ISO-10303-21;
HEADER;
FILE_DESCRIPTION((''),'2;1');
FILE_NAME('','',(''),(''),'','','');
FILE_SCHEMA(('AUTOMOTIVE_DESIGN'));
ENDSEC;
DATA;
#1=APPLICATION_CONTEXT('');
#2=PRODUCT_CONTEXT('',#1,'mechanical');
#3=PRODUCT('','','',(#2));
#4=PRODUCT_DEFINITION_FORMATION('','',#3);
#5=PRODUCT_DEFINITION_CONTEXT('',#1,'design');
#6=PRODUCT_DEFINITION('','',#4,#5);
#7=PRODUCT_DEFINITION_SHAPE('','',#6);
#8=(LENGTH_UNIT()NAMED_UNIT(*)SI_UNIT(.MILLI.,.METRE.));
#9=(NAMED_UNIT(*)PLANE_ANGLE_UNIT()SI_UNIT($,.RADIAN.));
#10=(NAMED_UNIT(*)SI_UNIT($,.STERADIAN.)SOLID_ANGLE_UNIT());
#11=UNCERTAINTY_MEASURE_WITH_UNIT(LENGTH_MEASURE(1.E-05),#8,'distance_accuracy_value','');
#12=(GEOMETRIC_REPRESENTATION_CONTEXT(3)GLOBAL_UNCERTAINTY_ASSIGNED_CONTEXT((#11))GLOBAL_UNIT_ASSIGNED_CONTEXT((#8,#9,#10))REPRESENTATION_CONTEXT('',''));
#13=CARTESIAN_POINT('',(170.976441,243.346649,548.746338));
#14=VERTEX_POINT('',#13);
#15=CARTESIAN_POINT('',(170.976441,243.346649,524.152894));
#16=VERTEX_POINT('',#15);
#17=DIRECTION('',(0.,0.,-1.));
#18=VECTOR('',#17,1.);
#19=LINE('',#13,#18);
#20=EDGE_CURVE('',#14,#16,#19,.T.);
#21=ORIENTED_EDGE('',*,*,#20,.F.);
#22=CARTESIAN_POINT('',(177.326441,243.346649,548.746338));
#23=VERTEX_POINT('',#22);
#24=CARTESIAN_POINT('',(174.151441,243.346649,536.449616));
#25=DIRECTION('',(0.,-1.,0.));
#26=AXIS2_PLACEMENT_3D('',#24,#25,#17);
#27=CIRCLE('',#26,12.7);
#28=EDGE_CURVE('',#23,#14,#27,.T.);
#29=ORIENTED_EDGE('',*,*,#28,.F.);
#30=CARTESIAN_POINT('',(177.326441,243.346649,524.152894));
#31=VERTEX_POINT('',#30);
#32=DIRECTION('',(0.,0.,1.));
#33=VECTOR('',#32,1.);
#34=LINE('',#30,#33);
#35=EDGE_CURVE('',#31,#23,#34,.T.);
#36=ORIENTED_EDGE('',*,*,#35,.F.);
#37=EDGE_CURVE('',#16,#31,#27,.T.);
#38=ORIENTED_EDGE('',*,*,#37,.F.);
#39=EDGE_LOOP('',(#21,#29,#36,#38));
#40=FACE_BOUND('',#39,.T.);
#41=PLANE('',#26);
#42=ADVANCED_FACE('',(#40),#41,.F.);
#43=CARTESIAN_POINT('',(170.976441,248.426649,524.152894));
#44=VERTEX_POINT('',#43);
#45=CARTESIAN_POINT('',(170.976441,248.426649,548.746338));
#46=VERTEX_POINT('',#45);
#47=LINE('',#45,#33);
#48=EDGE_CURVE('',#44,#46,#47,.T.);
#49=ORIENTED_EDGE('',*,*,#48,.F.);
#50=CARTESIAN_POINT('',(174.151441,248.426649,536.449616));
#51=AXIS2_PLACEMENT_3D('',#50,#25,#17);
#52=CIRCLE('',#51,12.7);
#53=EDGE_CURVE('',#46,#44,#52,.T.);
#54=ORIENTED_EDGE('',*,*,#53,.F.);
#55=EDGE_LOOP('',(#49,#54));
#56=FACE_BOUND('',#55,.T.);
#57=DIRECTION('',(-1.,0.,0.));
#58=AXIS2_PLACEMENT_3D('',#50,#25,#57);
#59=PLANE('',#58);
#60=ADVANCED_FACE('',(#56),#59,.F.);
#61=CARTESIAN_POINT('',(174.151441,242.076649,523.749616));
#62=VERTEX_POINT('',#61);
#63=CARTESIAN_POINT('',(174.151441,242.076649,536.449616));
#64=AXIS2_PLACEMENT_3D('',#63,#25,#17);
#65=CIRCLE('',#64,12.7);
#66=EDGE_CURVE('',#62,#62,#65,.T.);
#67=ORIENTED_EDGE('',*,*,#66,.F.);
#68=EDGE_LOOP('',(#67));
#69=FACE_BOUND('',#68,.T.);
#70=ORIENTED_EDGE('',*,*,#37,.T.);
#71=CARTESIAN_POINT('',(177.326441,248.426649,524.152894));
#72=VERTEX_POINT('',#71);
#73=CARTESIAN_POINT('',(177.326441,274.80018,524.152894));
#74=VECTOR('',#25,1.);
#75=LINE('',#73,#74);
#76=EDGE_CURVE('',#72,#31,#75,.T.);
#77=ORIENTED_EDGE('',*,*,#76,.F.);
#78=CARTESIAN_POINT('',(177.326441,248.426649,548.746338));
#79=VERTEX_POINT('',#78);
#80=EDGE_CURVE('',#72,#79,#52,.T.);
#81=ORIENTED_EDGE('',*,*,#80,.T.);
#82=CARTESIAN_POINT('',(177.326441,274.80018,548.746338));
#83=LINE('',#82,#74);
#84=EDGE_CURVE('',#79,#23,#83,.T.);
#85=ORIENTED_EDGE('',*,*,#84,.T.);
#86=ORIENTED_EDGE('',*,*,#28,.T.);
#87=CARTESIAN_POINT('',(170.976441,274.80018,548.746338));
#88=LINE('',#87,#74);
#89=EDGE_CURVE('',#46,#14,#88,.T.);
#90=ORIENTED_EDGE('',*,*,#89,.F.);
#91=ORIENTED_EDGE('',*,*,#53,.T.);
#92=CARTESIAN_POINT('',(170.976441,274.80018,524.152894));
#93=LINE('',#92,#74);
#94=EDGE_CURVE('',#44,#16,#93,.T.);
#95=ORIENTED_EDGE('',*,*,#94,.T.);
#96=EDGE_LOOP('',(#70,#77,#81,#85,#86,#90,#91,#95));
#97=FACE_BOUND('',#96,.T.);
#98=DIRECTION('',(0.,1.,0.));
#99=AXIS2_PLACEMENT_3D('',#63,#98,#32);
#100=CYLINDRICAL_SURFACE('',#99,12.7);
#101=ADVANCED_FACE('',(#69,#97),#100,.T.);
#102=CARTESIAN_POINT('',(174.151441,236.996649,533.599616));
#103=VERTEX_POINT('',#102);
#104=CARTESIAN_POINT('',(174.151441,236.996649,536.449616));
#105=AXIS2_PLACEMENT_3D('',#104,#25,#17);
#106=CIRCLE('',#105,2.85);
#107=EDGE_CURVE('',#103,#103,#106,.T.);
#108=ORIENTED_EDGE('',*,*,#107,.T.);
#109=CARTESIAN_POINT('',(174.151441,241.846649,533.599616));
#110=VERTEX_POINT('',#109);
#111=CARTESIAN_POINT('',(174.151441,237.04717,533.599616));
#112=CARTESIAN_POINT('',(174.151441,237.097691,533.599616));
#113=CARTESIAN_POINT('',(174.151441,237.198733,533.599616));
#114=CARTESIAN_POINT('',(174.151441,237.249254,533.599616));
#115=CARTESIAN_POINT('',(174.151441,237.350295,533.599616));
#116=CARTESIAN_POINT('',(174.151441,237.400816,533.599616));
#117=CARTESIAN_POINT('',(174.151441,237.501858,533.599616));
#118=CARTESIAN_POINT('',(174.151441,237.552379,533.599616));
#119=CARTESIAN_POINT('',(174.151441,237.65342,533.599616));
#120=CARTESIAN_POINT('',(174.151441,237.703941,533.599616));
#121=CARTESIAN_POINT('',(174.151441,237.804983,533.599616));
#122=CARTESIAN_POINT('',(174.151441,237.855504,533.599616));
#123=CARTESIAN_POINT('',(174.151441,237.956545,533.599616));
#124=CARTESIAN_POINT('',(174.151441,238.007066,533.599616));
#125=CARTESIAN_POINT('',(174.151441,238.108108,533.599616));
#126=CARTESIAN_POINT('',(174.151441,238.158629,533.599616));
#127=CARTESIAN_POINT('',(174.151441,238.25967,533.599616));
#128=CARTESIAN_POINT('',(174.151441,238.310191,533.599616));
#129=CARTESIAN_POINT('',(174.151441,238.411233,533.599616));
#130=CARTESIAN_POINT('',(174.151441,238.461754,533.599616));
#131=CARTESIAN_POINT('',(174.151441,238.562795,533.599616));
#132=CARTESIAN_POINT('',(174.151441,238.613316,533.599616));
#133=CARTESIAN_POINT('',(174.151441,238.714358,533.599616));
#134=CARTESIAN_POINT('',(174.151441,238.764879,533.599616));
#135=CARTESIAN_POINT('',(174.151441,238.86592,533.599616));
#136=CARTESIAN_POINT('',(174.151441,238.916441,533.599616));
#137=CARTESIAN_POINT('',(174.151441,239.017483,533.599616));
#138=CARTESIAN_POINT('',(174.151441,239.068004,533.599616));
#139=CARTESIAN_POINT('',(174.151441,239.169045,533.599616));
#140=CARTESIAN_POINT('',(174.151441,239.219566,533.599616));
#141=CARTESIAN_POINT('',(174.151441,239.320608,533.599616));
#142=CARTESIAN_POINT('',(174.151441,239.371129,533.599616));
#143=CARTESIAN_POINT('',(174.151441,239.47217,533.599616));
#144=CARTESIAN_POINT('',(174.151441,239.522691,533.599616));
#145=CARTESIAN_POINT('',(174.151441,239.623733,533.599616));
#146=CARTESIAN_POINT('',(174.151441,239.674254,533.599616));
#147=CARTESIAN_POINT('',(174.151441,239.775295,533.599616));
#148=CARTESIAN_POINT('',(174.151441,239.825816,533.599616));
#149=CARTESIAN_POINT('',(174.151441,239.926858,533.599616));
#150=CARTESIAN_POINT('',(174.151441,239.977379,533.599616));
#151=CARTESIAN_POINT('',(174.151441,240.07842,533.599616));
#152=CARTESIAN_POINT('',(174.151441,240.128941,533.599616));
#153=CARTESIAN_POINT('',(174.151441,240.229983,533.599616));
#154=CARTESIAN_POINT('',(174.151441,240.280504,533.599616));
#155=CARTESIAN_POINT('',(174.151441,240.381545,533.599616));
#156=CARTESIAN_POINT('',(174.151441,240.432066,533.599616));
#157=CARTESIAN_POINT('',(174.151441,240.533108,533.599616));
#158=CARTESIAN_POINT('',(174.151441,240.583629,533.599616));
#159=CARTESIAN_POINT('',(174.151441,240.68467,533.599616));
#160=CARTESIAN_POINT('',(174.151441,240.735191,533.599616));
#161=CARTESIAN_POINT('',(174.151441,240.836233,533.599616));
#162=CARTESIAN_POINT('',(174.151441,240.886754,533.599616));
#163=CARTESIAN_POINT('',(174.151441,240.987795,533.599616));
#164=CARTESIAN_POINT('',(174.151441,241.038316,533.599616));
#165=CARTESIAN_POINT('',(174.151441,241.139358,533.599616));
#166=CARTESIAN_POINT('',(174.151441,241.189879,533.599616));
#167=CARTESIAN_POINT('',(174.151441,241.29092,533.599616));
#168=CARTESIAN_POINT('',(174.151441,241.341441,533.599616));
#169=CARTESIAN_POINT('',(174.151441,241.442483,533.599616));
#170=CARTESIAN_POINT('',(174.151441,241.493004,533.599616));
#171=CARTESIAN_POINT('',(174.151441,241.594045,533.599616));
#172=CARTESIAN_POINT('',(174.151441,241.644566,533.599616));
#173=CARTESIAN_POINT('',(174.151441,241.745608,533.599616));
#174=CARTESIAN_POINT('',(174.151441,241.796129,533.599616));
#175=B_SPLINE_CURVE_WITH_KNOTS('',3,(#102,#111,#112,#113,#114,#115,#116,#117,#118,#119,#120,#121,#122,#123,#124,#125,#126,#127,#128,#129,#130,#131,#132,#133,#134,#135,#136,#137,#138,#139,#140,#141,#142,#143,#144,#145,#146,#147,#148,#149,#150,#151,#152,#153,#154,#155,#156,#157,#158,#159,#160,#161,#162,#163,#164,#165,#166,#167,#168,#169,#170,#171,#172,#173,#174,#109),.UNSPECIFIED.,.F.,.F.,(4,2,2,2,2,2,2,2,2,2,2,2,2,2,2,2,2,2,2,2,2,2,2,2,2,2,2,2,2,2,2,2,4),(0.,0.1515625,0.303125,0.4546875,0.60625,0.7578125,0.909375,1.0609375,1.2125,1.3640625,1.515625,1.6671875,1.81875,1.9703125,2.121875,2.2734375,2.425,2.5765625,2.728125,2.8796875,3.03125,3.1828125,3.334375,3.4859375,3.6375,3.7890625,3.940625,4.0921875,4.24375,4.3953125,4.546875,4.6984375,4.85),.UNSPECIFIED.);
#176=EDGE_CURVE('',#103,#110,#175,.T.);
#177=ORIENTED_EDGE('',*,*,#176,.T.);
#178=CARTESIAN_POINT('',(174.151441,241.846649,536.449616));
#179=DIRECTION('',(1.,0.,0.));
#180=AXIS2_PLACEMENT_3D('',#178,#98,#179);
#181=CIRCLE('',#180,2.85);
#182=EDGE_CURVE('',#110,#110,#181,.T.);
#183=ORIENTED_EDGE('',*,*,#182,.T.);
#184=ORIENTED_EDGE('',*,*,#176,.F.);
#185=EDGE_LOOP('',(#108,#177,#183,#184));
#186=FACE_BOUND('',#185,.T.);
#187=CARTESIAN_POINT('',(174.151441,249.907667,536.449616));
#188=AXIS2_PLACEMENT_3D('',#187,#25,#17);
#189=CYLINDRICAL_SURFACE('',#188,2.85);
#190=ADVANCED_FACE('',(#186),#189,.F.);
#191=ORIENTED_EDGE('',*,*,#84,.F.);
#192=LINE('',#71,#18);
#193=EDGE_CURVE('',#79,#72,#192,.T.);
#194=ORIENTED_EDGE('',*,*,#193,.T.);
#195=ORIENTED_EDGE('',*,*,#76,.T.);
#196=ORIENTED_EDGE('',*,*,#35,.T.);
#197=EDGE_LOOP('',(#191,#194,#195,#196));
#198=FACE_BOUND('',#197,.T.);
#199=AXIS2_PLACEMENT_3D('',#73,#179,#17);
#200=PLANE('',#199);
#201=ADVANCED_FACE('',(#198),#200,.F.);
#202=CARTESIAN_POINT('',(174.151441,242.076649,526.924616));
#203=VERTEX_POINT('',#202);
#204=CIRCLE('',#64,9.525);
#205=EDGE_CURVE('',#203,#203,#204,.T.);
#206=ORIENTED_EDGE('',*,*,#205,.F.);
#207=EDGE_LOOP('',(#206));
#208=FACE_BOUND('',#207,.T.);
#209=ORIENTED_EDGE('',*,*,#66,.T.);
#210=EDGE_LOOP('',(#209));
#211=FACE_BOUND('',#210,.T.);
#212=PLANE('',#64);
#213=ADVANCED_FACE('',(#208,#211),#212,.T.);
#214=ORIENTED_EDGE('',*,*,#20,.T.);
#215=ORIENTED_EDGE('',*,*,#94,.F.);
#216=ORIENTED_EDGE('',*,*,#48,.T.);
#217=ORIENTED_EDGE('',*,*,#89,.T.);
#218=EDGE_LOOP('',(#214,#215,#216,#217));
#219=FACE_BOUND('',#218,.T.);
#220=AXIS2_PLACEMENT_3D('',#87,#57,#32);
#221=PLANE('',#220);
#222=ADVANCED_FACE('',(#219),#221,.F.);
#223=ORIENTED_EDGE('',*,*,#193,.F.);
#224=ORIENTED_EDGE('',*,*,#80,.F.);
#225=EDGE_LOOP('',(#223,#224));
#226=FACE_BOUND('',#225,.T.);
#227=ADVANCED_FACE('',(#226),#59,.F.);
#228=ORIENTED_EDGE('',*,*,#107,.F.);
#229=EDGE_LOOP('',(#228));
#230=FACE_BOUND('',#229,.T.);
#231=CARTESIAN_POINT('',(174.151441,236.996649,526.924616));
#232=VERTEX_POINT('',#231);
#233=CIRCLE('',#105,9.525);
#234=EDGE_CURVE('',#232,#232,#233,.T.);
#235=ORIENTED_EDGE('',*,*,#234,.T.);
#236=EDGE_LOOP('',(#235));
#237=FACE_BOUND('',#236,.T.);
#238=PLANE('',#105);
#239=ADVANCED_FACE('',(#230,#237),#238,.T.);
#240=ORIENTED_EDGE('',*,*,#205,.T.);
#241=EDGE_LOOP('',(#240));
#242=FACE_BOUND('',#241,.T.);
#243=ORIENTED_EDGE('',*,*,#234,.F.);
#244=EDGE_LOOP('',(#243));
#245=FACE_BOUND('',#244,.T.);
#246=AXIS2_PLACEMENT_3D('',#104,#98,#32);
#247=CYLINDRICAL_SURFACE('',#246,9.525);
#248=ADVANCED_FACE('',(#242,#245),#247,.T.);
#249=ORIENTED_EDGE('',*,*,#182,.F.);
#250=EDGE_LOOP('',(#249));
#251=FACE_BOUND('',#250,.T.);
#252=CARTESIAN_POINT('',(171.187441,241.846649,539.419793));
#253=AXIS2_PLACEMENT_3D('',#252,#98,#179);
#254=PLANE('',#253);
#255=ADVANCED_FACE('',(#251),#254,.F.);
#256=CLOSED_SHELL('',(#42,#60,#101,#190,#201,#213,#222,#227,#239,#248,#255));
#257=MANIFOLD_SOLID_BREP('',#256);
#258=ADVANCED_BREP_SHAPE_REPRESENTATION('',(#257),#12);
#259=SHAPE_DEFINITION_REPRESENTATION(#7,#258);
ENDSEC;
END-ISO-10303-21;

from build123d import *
from build123d.topology import SkipClean

# Parameters (mm, degrees)
BOSS_EXTRUDE1_DEPTH = 1.27
BOSS_EXTRUDE2_START = 5.08
BOSS_EXTRUDE2_DEPTH = 5.08
SKETCH3_R           = 9.525
BOSS_EXTRUDE3_DEPTH = 5.08
CUT_EXTRUDE2_START  = -4.85
SKETCH7_R           = 2.85
CUT_EXTRUDE2_DEPTH  = 4.85


with BuildPart() as part:
    # Sketch1 → Boss-Extrude1 (new body)
    with BuildSketch(Plane.XZ.offset(-243.34664948)):
        with BuildLine():
            ThreePointArc((170.976440709, 548.746338149), (161.451440709, 536.449616024), (170.976440709, 524.1528939))
            ThreePointArc((170.976440709, 524.1528939), (174.151440709, 523.749616024), (177.326440709, 524.1528939))
            ThreePointArc((177.326440709, 524.1528939), (186.851440709, 536.449616024), (177.326440709, 548.746338149))
            ThreePointArc((177.326440709, 548.746338149), (174.151440709, 549.149616024), (170.976440709, 548.746338149))
        make_face()
    extrude(amount=BOSS_EXTRUDE1_DEPTH)

    # Sketch2 → Boss-Extrude2 (add)
    with SkipClean():  # the faces are left unmerged after this step: merging them gives an invalid solid
        with BuildSketch(Plane(origin=(0, 243.34664948, 0), x_dir=(1, 0, 0), z_dir=(0, 1, 0)).offset(BOSS_EXTRUDE2_START)):
            with BuildLine():
                Line((177.326440709, -524.1528939), (177.326440709, -548.746338149))
                ThreePointArc((177.326440709, -548.746338149), (186.851440709, -536.449616024), (177.326440709, -524.1528939))
            make_face()
            with BuildLine():
                Line((170.976440709, -548.746338149), (170.976440709, -524.1528939))
                ThreePointArc((170.976440709, -524.1528939), (161.451440709, -536.449616024), (170.976440709, -548.746338149))
            make_face()
        extrude(amount=-BOSS_EXTRUDE2_DEPTH)

    # Sketch3 → Boss-Extrude3 (add)
    with SkipClean():  # the faces are left unmerged after this step: merging them gives an invalid solid
        with BuildSketch(Plane.XZ.offset(-242.07664948)):
            with Locations(Location((174.151440709, 536.449616024, 0), (0, 0, 270))):
                Circle(SKETCH3_R)
        extrude(amount=BOSS_EXTRUDE3_DEPTH)

    # Sketch7 → Cut-Extrude2 (cut)
    with SkipClean():  # the faces are left unmerged after this step: merging them gives an invalid solid
        with BuildSketch(Plane.XZ.offset(-236.99664948).offset(CUT_EXTRUDE2_START)):
            with Locations(Location((174.151440709, 536.449616024, 0), (0, 0, 270))):
                Circle(SKETCH7_R)
        extrude(amount=CUT_EXTRUDE2_DEPTH, mode=Mode.SUBTRACT)


solid = part.part
